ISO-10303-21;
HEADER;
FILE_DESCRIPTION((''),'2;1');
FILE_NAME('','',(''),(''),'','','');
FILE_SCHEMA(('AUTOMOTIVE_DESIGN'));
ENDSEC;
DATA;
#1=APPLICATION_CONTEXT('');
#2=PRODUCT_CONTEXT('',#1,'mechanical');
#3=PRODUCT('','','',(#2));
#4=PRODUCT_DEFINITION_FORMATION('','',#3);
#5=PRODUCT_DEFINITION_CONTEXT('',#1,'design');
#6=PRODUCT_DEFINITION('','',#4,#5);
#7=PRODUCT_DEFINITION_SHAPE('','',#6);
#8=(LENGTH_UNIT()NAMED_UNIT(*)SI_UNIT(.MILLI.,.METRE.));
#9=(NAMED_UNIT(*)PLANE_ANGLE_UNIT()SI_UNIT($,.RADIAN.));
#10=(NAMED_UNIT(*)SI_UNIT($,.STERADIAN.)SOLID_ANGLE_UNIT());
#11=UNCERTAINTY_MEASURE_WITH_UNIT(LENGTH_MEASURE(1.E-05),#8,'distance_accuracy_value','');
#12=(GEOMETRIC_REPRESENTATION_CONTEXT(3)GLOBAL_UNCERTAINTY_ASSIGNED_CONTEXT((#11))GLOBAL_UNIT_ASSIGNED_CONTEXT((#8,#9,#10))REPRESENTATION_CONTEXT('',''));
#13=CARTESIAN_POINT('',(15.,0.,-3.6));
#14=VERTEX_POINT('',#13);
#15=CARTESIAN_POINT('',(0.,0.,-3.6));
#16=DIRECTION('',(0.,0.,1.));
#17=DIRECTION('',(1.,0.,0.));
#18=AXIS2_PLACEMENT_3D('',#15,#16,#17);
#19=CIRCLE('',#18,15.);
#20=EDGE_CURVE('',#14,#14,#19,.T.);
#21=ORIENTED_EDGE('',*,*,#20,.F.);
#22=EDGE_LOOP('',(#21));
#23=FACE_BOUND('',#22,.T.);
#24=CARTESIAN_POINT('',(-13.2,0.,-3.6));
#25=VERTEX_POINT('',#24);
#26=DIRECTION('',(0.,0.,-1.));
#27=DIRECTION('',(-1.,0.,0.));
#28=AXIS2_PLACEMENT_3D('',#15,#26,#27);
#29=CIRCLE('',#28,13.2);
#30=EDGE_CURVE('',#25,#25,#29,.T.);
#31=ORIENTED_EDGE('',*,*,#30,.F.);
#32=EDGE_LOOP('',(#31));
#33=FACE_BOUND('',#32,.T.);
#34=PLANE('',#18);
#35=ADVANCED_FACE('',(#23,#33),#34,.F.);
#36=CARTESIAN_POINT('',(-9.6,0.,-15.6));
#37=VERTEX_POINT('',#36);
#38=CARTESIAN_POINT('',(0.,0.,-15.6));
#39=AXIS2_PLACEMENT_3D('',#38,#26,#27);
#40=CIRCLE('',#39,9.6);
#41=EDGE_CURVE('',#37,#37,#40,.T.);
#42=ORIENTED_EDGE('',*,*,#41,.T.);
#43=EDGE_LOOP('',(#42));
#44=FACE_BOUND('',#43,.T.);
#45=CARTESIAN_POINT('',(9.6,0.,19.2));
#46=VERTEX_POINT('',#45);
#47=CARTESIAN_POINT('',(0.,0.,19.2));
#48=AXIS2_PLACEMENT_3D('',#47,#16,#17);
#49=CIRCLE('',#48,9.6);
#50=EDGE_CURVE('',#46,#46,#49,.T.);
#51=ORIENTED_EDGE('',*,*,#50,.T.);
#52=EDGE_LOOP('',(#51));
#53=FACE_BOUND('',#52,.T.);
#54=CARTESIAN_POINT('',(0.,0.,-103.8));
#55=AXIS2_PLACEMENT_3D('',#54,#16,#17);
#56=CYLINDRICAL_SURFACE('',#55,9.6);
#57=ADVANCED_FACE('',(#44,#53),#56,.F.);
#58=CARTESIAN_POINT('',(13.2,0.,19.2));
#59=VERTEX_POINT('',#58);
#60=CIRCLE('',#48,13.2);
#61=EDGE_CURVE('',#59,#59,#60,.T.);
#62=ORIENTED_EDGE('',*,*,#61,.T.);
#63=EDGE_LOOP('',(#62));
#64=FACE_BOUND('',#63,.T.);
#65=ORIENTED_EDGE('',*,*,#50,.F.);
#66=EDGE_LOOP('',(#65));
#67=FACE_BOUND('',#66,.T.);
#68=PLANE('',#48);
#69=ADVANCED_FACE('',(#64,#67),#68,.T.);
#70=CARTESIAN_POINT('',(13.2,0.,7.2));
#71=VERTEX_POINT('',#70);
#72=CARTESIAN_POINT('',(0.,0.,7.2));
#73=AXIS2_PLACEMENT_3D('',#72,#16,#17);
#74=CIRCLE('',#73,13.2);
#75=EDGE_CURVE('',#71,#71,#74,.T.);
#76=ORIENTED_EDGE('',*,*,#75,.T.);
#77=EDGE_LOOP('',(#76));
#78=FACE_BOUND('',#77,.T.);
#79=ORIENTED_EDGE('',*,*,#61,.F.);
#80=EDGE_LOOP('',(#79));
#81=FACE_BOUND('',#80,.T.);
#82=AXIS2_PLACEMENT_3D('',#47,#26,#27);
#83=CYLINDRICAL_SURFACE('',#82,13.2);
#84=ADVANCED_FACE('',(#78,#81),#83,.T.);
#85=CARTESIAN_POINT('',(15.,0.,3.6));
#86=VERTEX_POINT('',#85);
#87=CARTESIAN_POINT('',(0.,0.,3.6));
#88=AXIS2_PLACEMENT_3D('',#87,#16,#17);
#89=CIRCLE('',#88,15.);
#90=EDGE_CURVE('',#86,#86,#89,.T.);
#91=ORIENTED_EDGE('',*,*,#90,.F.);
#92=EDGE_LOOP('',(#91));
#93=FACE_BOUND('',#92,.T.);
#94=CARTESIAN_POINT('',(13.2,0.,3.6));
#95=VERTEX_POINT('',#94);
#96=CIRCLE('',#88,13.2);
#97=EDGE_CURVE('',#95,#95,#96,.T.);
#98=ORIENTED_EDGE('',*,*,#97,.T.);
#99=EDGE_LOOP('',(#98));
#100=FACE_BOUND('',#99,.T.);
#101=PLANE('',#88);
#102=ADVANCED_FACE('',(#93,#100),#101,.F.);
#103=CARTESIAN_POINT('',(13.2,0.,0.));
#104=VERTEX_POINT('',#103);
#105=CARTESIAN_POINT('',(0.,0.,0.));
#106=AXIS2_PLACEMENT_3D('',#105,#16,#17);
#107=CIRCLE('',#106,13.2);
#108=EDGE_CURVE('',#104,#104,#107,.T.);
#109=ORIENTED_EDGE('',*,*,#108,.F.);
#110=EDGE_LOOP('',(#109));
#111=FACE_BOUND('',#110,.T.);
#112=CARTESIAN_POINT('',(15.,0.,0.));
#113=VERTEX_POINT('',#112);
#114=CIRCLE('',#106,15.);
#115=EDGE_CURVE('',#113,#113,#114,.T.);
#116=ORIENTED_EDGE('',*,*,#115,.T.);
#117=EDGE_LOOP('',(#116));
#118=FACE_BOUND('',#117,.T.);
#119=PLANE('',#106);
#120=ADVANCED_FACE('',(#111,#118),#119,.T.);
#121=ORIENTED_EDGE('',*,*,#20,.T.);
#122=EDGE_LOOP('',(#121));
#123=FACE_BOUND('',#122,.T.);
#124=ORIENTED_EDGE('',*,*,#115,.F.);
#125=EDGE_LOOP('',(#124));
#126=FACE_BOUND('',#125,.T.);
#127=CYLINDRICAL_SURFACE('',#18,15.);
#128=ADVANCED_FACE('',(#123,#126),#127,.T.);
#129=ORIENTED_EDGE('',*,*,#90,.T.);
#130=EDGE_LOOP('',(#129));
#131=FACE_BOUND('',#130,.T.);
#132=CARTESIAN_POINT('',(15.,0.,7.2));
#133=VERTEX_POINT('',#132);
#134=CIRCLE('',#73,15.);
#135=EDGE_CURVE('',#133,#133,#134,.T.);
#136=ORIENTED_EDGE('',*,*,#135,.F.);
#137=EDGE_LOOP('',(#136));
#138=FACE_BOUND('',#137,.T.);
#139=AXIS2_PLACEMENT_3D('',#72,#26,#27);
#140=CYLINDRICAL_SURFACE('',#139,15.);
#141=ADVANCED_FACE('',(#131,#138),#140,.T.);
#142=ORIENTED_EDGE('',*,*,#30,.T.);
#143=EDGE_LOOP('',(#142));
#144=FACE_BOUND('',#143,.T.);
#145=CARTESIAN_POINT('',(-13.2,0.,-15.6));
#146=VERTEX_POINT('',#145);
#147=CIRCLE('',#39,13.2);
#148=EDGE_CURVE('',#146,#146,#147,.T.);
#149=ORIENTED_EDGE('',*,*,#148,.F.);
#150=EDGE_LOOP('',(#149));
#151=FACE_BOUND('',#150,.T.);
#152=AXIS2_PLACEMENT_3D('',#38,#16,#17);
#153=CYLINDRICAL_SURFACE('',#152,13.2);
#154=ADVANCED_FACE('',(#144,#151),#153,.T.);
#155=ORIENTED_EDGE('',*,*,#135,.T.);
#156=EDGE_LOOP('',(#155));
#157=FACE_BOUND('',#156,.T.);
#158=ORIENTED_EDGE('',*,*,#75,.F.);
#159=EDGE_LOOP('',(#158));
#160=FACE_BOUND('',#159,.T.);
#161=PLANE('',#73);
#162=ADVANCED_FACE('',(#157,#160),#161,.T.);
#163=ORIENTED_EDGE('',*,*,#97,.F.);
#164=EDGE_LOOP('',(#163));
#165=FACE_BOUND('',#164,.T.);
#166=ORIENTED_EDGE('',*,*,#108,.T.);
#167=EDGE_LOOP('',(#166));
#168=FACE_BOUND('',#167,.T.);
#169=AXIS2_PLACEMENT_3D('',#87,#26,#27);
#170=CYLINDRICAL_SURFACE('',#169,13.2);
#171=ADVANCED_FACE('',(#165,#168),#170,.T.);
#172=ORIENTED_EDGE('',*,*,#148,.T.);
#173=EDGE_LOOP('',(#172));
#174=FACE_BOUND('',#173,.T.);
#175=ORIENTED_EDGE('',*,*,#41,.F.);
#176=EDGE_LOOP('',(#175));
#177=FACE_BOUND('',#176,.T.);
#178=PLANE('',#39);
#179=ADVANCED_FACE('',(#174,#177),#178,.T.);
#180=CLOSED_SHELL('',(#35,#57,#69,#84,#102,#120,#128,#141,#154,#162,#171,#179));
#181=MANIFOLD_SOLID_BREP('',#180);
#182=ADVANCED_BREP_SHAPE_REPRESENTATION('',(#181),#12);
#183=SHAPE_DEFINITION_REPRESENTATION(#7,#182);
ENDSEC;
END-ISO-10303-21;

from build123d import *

# Parameters (mm, degrees)
ESQUISSE3_R             = 15
BOSS_EXTRU_2_DEPTH      = 3.6
ESQUISSE4_R             = 13.2
BOSS_EXTRU_3_DEPTH      = 12
BOSS_EXTRU_4_START      = 3.6
ESQUISSE5_R             = 13.2
BOSS_EXTRU_4_DEPTH      = 3.6
BOSS_EXTRU_5_START      = 3.6
ESQUISSE6_R             = 15
BOSS_EXTRU_5_DEPTH      = 3.6
BOSS_EXTRU_6_START      = 12
ESQUISSE7_R             = 13.2
BOSS_EXTRU_6_DEPTH      = 12
ESQUISSE8_R             = 9.6
ENL_V_MAT_EXTRU_2_DEPTH = 123


with BuildPart() as part:
    # Esquisse3 → Boss.-Extru.2 (new body)
    with BuildSketch(Plane.XY):
        Circle(ESQUISSE3_R)
    extrude(amount=-BOSS_EXTRU_2_DEPTH)

    # Esquisse4 → Boss.-Extru.3 (add)
    with BuildSketch(Plane(origin=(0, 0, -3.6), x_dir=(-1, 0, 0), z_dir=(0, 0, -1))):
        Circle(ESQUISSE4_R)
    extrude(amount=BOSS_EXTRU_3_DEPTH)

    # Esquisse5 → Boss.-Extru.4 (add)
    with BuildSketch(Plane.XY.offset(BOSS_EXTRU_4_START)):
        with Locations(Location((0, 0, 0), (0, 0, 180))):
            Circle(ESQUISSE5_R)
    extrude(amount=-BOSS_EXTRU_4_DEPTH)

    # Esquisse6 → Boss.-Extru.5 (add)
    with BuildSketch(Plane.XY.offset(3.6).offset(BOSS_EXTRU_5_START)):
        Circle(ESQUISSE6_R)
    extrude(amount=-BOSS_EXTRU_5_DEPTH)

    # Esquisse7 → Boss.-Extru.6 (add)
    with BuildSketch(Plane.XY.offset(7.2).offset(BOSS_EXTRU_6_START)):
        with Locations(Location((0, 0, 0), (0, 0, 180))):
            Circle(ESQUISSE7_R)
    extrude(amount=-BOSS_EXTRU_6_DEPTH)

    # Esquisse8 → Enlèv. mat.-Extru.2 (cut)
    with BuildSketch(Plane.XY.offset(19.2)):
        Circle(ESQUISSE8_R)
    extrude(amount=-ENL_V_MAT_EXTRU_2_DEPTH, mode=Mode.SUBTRACT)


solid = part.part
